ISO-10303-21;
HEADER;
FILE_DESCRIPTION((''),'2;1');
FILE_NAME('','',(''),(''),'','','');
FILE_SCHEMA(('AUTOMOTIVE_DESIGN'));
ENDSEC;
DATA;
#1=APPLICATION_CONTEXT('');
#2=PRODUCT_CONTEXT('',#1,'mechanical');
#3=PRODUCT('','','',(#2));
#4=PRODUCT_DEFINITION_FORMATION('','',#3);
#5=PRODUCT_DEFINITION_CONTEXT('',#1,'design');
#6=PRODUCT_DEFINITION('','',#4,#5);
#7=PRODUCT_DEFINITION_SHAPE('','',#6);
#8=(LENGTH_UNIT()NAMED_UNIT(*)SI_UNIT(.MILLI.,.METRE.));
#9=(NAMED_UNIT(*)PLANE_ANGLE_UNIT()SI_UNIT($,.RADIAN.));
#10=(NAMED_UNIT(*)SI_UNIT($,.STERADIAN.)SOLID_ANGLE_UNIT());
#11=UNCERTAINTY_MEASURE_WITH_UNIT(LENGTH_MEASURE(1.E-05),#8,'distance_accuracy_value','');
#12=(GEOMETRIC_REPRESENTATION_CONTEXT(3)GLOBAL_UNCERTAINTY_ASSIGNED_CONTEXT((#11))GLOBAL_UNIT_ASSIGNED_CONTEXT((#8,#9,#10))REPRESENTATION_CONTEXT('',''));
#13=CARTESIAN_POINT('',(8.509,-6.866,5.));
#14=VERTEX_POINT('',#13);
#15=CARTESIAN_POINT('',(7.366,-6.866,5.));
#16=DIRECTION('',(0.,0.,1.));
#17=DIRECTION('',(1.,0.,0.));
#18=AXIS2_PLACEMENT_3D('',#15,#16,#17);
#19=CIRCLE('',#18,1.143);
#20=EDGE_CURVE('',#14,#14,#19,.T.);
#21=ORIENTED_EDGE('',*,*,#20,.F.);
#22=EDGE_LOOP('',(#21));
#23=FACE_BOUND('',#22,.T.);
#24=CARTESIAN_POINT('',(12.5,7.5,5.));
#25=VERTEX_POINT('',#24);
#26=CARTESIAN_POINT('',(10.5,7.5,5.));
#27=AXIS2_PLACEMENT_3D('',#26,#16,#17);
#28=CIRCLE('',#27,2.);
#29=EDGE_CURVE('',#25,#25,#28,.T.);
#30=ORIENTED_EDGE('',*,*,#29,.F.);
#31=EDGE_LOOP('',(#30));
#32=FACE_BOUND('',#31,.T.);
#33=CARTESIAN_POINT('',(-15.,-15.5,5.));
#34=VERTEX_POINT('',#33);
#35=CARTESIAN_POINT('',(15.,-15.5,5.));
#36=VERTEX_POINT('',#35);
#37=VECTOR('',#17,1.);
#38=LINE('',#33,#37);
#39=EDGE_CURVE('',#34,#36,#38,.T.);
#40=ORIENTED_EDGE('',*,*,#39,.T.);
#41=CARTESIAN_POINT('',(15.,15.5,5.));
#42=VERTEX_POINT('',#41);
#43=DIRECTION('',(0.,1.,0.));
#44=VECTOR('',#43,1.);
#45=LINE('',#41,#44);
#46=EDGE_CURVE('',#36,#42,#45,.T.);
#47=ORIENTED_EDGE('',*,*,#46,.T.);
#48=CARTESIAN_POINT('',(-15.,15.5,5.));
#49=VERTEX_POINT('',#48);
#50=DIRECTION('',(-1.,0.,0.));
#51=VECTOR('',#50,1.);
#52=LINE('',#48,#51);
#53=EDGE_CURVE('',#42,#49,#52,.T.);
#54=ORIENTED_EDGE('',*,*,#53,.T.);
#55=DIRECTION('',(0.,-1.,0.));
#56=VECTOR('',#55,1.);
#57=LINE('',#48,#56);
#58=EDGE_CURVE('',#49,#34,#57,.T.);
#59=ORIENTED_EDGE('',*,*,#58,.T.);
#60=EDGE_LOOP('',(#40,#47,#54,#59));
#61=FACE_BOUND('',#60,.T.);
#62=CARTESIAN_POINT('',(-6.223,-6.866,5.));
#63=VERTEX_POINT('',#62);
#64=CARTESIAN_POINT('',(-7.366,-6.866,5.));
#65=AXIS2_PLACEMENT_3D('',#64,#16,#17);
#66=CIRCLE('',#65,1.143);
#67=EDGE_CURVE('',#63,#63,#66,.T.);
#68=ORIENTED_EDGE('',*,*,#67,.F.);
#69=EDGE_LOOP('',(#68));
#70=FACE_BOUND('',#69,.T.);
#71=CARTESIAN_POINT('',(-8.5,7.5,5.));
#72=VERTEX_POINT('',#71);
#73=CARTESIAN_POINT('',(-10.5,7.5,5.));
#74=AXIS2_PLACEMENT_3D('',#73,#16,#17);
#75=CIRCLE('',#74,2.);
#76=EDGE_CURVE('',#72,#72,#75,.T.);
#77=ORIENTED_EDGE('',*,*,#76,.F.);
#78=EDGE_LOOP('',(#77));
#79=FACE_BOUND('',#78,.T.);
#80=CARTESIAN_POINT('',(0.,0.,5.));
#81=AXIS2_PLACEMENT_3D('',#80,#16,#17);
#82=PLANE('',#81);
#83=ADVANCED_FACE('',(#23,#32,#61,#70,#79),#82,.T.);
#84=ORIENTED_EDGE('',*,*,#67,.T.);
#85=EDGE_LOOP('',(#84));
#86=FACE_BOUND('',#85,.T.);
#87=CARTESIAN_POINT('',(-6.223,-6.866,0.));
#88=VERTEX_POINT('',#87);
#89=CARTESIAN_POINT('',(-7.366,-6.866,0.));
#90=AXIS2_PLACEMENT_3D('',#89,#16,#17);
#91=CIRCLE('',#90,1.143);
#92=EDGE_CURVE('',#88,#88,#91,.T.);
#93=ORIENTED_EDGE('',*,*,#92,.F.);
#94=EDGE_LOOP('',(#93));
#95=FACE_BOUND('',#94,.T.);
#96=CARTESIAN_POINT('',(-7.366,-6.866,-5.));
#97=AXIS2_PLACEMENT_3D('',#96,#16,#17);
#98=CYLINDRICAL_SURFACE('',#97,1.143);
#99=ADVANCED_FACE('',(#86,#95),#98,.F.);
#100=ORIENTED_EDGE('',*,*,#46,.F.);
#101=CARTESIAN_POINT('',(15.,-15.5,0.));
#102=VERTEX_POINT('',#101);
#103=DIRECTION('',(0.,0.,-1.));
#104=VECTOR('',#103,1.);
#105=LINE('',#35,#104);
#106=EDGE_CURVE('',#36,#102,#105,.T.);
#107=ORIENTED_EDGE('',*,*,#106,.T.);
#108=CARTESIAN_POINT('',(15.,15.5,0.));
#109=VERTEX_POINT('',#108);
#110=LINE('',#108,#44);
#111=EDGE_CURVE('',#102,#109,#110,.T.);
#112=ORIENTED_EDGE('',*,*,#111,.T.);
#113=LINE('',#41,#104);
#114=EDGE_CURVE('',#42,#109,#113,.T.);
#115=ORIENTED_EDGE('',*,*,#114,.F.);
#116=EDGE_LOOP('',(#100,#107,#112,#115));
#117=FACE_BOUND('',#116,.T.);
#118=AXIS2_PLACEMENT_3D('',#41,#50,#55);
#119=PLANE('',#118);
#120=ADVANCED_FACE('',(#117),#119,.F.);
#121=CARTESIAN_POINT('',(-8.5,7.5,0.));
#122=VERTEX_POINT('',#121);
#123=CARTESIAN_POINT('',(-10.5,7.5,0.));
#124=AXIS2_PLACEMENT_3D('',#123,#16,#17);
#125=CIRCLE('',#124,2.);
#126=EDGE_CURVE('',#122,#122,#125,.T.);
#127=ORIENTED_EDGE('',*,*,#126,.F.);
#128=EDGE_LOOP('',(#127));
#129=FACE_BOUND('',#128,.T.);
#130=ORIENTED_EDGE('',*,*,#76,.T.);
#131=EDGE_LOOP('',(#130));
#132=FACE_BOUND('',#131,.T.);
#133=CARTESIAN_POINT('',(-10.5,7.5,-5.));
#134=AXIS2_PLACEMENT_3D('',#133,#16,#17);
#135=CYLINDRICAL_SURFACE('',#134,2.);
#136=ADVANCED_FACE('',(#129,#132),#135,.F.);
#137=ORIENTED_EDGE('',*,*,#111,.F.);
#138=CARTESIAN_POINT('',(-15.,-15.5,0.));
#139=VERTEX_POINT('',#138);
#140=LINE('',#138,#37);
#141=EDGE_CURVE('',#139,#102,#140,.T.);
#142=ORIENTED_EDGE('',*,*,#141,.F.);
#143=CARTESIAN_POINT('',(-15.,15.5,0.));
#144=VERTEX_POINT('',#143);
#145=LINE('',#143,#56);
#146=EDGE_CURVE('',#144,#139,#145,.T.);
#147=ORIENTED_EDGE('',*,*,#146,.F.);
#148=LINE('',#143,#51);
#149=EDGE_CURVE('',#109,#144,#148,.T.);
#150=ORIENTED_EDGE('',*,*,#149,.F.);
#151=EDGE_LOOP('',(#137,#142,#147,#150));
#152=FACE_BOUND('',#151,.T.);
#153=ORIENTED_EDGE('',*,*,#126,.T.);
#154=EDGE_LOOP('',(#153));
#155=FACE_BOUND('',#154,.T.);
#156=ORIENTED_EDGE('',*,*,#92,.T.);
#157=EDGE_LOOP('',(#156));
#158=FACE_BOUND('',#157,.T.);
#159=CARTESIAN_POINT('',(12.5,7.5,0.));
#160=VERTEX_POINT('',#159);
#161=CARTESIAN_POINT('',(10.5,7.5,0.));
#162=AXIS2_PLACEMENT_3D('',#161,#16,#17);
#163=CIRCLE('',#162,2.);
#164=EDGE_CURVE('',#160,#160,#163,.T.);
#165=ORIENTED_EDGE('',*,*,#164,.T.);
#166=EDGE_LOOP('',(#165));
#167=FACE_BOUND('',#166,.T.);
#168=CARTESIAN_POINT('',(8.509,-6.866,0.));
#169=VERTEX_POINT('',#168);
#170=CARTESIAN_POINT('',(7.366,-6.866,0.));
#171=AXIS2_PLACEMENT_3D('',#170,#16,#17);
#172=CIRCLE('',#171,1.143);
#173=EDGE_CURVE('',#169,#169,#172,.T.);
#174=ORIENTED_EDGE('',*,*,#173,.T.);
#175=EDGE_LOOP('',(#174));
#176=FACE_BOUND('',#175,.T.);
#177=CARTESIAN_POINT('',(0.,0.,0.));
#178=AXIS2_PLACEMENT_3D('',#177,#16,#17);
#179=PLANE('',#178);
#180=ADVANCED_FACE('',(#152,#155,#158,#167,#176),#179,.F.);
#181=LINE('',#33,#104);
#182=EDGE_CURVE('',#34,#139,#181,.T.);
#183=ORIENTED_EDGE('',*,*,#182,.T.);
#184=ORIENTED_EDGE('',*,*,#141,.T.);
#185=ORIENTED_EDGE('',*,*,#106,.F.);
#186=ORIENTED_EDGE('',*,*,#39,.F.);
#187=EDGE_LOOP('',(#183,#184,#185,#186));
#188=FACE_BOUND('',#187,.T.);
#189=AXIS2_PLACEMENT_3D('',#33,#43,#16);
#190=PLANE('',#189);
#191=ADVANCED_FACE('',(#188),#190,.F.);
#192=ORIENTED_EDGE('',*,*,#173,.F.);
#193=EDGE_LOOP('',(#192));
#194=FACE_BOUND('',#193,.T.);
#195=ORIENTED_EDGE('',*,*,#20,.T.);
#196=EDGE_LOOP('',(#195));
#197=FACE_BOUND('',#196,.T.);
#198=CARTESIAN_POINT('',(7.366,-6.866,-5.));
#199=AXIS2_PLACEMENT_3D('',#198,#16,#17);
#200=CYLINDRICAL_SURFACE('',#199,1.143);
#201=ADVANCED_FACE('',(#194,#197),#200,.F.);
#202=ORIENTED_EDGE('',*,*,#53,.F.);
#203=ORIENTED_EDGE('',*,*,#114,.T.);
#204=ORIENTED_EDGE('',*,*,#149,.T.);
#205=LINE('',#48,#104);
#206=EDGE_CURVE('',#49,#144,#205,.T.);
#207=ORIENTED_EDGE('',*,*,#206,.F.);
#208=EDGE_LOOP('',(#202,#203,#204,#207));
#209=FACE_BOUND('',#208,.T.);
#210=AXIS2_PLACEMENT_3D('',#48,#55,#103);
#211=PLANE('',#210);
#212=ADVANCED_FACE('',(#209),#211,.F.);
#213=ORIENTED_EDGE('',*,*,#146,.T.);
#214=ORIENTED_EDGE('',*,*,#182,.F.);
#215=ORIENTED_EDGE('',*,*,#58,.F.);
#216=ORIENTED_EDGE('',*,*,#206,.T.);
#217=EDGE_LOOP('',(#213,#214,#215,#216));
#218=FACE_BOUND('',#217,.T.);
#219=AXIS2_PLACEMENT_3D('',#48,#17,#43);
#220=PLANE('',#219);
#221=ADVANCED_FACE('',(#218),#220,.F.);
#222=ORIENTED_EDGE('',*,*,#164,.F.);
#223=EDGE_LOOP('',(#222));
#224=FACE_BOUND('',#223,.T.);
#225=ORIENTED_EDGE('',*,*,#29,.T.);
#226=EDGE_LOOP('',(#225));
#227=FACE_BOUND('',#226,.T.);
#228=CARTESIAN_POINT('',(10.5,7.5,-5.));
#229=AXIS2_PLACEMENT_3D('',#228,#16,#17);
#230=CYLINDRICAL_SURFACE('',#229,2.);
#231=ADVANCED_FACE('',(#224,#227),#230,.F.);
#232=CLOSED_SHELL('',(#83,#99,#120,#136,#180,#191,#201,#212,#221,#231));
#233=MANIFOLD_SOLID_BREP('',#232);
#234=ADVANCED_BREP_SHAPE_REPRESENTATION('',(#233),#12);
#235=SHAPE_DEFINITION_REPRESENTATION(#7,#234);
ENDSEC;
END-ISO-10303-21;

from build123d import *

# Parameters (mm, degrees)
SKETCH1_W           = 30
SKETCH1_H           = 31
BOSS_EXTRUDE1_DEPTH = 5
SKETCH2_R           = 1.143
SKETCH2_R_2         = 2
CUT_EXTRUDE1_DEPTH  = 10


with BuildPart() as part:
    # Sketch1 → Boss-Extrude1 (new body)
    with BuildSketch(Plane.XY):
        Rectangle(SKETCH1_W, SKETCH1_H)
    extrude(amount=BOSS_EXTRUDE1_DEPTH)

    # Sketch2 → Cut-Extrude1 (cut)
    with BuildSketch(Plane.XY.offset(5)):
        with Locations((-7.366, -6.866)):
            Circle(SKETCH2_R)
        with Locations((7.366, -6.866)):
            Circle(SKETCH2_R)
        with Locations((-10.5, 7.5)):
            Circle(SKETCH2_R_2)
        with Locations((10.5, 7.5)):
            Circle(SKETCH2_R_2)
    extrude(amount=-CUT_EXTRUDE1_DEPTH, mode=Mode.SUBTRACT)


solid = part.part
